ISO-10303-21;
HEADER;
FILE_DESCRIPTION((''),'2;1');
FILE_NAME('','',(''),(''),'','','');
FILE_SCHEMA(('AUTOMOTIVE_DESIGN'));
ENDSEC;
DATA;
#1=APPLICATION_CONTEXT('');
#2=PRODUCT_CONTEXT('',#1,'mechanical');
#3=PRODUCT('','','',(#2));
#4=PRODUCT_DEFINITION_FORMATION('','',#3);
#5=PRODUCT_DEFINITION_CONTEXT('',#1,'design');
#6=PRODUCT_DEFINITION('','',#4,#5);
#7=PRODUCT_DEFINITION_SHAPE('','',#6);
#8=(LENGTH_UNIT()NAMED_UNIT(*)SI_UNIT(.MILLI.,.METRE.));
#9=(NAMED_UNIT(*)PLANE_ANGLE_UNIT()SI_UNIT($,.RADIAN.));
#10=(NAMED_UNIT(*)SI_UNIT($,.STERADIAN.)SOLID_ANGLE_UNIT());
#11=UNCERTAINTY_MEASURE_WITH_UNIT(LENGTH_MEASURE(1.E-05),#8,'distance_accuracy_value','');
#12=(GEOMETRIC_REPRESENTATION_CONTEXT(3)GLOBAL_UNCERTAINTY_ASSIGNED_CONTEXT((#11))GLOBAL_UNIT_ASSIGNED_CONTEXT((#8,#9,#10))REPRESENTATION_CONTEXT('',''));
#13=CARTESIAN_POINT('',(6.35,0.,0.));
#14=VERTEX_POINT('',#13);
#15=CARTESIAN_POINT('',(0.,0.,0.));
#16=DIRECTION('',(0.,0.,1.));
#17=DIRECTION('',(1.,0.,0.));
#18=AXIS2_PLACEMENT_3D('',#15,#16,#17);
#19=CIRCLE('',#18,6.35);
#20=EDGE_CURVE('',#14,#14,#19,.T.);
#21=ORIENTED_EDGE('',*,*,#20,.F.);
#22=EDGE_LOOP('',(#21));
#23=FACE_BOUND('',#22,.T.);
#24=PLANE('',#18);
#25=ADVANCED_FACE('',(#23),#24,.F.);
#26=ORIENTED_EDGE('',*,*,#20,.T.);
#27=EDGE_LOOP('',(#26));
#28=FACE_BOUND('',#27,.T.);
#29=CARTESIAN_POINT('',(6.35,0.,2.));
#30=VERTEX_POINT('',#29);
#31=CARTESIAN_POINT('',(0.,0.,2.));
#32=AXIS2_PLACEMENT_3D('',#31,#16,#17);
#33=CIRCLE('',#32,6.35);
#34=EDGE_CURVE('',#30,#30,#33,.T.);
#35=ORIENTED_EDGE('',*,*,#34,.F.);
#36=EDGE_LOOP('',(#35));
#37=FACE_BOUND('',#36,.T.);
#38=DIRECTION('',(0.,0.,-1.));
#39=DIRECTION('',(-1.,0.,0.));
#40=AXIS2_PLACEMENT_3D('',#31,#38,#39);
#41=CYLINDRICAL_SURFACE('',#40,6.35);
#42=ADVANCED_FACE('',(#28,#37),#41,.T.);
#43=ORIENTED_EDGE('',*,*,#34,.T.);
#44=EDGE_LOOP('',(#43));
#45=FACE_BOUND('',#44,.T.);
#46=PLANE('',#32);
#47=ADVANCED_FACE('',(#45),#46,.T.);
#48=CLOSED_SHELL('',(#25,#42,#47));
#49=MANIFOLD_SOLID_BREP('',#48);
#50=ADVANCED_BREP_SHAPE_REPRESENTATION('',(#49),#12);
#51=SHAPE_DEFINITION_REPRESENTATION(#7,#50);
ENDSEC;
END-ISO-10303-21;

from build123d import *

# Parameters (mm, degrees)
SKETCH_1_R      = 6.35
EXTRUDE_1_DEPTH = 2


with BuildPart() as part:
    # 草图1 → 凸台-拉伸1 (new body)
    with BuildSketch(Plane.XY):
        Circle(SKETCH_1_R)
    extrude(amount=EXTRUDE_1_DEPTH)


solid = part.part
